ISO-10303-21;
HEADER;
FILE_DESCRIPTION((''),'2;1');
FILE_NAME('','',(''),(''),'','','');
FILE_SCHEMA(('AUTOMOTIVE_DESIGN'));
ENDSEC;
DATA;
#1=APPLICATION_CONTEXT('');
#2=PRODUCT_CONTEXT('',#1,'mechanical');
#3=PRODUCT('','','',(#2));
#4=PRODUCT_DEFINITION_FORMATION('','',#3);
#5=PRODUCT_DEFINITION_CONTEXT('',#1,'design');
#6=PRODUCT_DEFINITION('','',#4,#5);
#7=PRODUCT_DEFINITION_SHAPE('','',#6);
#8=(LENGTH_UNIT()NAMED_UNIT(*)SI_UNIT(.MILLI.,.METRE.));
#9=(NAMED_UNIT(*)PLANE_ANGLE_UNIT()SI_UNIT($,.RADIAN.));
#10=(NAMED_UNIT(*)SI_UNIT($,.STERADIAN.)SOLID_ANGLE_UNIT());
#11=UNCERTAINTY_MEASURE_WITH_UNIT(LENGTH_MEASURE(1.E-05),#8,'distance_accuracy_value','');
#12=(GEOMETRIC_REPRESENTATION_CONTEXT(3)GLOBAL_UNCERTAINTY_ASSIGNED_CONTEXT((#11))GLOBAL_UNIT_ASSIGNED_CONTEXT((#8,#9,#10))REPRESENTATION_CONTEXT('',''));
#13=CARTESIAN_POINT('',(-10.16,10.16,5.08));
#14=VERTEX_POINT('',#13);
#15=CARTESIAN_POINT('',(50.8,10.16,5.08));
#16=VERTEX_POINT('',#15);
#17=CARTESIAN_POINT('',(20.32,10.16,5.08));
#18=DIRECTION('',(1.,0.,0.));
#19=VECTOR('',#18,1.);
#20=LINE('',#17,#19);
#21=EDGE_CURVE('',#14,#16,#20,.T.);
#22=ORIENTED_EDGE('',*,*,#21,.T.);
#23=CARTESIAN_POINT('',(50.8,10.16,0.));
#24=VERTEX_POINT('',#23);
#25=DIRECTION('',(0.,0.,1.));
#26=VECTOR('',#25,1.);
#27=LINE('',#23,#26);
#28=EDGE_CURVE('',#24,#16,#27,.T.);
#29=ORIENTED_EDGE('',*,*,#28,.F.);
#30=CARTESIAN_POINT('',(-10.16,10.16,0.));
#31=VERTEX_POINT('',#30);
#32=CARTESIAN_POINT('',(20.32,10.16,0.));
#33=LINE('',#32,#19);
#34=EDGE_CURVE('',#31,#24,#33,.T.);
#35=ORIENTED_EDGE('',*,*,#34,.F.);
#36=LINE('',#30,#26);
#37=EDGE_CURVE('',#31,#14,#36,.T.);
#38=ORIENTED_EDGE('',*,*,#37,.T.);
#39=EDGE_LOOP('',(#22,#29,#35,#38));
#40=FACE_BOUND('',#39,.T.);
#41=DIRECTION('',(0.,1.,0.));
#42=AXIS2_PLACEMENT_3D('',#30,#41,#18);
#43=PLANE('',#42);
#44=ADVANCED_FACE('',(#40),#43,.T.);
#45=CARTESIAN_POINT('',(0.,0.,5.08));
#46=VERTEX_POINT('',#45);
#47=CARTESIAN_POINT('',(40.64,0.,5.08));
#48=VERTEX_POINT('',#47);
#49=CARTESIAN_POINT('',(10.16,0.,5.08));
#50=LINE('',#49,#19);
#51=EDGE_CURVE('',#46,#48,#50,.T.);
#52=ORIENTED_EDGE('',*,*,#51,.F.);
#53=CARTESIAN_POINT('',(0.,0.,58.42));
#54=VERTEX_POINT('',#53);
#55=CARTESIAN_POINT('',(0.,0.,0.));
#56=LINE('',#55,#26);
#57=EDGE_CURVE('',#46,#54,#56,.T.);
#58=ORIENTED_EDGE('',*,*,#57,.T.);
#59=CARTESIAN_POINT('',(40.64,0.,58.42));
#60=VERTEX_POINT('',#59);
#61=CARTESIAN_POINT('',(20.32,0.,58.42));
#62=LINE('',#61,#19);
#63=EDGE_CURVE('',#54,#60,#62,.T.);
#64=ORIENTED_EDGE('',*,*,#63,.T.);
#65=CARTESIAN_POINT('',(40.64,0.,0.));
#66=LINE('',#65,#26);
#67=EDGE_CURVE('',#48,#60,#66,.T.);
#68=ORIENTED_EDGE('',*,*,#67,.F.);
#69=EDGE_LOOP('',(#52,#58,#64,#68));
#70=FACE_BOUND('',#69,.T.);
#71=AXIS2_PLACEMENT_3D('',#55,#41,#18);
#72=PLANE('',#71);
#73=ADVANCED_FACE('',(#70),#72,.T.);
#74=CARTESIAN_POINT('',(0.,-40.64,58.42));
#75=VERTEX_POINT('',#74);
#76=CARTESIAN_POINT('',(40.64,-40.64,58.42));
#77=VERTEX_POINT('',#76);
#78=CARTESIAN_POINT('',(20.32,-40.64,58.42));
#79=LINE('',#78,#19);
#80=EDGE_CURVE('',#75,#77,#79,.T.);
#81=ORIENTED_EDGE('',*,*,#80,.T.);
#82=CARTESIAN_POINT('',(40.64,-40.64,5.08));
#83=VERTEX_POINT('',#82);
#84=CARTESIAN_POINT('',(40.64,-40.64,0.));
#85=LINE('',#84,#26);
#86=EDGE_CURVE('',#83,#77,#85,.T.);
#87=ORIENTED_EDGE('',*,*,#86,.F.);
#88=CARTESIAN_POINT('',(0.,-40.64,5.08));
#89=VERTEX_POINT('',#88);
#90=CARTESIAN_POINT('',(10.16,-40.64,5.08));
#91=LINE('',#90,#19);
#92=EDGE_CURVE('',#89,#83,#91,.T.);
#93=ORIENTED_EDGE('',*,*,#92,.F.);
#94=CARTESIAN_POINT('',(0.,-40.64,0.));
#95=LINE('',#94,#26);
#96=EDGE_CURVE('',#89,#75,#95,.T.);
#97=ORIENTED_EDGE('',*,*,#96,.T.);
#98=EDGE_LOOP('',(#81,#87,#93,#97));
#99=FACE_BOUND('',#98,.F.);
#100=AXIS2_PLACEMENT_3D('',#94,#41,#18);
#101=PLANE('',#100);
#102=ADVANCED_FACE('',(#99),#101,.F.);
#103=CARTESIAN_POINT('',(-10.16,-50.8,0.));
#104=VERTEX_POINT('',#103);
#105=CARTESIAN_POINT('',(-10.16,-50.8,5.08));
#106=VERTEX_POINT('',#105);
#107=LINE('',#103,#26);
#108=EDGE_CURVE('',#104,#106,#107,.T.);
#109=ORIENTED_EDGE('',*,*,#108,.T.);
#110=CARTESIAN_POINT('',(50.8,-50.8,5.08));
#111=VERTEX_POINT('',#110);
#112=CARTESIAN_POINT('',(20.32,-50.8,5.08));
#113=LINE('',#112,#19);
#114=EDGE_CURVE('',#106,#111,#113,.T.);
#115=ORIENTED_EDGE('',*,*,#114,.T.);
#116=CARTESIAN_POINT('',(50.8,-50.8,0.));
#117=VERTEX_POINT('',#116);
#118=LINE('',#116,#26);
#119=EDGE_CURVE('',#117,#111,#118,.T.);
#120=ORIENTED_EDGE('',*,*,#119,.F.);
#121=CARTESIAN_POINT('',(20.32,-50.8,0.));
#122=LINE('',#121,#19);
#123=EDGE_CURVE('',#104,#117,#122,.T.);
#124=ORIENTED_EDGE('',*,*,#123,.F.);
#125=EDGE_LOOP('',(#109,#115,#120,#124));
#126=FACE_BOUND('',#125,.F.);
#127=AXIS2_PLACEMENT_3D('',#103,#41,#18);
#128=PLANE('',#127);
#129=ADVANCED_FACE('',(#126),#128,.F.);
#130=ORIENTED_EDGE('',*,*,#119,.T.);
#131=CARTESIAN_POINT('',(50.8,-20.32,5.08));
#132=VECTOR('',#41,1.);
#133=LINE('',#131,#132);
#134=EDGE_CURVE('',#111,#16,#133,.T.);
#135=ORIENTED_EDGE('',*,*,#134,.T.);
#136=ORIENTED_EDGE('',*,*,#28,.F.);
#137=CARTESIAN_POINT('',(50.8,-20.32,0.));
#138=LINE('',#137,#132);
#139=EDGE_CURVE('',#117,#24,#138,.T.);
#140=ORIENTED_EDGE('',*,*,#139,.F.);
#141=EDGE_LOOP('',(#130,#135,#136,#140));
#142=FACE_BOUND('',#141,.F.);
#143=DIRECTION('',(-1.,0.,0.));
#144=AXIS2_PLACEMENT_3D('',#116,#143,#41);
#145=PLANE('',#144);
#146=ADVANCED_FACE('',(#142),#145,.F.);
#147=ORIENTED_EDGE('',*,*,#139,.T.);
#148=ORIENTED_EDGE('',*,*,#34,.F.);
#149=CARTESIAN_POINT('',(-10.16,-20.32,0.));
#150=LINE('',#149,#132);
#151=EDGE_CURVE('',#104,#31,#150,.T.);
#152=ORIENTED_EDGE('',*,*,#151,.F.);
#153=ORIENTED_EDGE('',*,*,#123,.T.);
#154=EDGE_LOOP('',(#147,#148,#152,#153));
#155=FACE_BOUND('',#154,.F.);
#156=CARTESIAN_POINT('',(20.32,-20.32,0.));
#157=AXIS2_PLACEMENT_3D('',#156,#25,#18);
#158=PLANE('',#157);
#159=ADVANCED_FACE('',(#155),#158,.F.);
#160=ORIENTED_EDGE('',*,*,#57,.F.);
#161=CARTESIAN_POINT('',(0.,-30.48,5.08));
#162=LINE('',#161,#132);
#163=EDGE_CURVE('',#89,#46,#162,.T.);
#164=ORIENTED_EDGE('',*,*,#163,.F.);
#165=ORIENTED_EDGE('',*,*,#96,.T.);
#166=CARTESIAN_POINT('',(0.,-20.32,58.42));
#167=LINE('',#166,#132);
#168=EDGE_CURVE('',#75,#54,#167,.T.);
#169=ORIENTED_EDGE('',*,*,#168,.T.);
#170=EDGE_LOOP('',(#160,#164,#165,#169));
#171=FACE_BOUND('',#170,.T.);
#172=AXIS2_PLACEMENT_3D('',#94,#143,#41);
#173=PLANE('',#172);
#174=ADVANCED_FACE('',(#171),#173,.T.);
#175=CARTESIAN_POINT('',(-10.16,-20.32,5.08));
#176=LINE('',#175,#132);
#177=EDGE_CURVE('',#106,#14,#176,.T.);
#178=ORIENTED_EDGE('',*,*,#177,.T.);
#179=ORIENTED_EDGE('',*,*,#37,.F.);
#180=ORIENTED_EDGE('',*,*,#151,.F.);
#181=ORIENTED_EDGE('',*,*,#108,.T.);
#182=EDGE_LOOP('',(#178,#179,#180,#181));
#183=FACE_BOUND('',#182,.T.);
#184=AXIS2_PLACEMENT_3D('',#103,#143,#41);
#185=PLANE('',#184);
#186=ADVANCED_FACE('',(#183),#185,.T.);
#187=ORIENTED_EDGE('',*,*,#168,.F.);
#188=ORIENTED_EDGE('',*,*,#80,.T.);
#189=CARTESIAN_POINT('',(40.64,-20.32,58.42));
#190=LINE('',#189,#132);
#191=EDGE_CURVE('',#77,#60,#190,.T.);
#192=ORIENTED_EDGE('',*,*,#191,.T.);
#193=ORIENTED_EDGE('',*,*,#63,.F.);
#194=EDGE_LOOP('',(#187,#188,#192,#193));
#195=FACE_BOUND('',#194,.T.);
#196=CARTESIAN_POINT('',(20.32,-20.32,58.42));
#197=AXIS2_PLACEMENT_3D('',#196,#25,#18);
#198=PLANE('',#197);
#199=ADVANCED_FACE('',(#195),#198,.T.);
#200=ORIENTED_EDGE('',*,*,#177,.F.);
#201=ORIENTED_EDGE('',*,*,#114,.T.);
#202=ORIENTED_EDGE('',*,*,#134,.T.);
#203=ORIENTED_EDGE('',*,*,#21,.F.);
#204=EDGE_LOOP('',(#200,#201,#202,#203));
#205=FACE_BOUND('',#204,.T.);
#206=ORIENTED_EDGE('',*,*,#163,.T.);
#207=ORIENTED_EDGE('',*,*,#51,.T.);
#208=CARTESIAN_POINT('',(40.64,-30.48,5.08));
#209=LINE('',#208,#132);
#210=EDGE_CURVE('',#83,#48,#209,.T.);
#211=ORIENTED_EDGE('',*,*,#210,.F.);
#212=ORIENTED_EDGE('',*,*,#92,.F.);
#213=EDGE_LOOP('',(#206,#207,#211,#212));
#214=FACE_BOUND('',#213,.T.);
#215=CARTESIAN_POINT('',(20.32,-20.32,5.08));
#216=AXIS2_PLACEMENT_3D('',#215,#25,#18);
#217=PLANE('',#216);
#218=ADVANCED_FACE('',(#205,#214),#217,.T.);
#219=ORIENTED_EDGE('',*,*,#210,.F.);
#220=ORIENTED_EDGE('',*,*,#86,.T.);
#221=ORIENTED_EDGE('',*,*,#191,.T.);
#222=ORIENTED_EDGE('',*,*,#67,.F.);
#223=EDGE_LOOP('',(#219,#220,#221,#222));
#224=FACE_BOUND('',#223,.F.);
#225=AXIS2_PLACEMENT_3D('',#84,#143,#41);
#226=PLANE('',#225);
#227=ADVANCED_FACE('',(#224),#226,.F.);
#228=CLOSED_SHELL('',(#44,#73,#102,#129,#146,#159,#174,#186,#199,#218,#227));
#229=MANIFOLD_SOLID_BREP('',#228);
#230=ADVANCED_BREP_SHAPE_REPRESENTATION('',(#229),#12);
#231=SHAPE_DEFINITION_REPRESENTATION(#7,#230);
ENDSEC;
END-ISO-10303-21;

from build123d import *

# Parameters (mm, degrees)
F0_W     = 40.64
F0_H     = 40.64
F1_DEPTH = 58.42
F2_W     = 60.96
F2_H     = 60.96
F3_DEPTH = 5.08


with BuildPart() as f1:
    # F0 (on Top) → F1 (new body)
    with BuildSketch(Plane.XY):
        with Locations((20.32, -20.32)):
            Rectangle(F0_W, F0_H)
    extrude(amount=F1_DEPTH)

    # F2 (on Top) → F3 (join)
    with BuildSketch(Plane.XY):
        with Locations((20.32, -20.32)):
            Rectangle(F2_W, F2_H)
    extrude(amount=F3_DEPTH)


solid = f1.part
